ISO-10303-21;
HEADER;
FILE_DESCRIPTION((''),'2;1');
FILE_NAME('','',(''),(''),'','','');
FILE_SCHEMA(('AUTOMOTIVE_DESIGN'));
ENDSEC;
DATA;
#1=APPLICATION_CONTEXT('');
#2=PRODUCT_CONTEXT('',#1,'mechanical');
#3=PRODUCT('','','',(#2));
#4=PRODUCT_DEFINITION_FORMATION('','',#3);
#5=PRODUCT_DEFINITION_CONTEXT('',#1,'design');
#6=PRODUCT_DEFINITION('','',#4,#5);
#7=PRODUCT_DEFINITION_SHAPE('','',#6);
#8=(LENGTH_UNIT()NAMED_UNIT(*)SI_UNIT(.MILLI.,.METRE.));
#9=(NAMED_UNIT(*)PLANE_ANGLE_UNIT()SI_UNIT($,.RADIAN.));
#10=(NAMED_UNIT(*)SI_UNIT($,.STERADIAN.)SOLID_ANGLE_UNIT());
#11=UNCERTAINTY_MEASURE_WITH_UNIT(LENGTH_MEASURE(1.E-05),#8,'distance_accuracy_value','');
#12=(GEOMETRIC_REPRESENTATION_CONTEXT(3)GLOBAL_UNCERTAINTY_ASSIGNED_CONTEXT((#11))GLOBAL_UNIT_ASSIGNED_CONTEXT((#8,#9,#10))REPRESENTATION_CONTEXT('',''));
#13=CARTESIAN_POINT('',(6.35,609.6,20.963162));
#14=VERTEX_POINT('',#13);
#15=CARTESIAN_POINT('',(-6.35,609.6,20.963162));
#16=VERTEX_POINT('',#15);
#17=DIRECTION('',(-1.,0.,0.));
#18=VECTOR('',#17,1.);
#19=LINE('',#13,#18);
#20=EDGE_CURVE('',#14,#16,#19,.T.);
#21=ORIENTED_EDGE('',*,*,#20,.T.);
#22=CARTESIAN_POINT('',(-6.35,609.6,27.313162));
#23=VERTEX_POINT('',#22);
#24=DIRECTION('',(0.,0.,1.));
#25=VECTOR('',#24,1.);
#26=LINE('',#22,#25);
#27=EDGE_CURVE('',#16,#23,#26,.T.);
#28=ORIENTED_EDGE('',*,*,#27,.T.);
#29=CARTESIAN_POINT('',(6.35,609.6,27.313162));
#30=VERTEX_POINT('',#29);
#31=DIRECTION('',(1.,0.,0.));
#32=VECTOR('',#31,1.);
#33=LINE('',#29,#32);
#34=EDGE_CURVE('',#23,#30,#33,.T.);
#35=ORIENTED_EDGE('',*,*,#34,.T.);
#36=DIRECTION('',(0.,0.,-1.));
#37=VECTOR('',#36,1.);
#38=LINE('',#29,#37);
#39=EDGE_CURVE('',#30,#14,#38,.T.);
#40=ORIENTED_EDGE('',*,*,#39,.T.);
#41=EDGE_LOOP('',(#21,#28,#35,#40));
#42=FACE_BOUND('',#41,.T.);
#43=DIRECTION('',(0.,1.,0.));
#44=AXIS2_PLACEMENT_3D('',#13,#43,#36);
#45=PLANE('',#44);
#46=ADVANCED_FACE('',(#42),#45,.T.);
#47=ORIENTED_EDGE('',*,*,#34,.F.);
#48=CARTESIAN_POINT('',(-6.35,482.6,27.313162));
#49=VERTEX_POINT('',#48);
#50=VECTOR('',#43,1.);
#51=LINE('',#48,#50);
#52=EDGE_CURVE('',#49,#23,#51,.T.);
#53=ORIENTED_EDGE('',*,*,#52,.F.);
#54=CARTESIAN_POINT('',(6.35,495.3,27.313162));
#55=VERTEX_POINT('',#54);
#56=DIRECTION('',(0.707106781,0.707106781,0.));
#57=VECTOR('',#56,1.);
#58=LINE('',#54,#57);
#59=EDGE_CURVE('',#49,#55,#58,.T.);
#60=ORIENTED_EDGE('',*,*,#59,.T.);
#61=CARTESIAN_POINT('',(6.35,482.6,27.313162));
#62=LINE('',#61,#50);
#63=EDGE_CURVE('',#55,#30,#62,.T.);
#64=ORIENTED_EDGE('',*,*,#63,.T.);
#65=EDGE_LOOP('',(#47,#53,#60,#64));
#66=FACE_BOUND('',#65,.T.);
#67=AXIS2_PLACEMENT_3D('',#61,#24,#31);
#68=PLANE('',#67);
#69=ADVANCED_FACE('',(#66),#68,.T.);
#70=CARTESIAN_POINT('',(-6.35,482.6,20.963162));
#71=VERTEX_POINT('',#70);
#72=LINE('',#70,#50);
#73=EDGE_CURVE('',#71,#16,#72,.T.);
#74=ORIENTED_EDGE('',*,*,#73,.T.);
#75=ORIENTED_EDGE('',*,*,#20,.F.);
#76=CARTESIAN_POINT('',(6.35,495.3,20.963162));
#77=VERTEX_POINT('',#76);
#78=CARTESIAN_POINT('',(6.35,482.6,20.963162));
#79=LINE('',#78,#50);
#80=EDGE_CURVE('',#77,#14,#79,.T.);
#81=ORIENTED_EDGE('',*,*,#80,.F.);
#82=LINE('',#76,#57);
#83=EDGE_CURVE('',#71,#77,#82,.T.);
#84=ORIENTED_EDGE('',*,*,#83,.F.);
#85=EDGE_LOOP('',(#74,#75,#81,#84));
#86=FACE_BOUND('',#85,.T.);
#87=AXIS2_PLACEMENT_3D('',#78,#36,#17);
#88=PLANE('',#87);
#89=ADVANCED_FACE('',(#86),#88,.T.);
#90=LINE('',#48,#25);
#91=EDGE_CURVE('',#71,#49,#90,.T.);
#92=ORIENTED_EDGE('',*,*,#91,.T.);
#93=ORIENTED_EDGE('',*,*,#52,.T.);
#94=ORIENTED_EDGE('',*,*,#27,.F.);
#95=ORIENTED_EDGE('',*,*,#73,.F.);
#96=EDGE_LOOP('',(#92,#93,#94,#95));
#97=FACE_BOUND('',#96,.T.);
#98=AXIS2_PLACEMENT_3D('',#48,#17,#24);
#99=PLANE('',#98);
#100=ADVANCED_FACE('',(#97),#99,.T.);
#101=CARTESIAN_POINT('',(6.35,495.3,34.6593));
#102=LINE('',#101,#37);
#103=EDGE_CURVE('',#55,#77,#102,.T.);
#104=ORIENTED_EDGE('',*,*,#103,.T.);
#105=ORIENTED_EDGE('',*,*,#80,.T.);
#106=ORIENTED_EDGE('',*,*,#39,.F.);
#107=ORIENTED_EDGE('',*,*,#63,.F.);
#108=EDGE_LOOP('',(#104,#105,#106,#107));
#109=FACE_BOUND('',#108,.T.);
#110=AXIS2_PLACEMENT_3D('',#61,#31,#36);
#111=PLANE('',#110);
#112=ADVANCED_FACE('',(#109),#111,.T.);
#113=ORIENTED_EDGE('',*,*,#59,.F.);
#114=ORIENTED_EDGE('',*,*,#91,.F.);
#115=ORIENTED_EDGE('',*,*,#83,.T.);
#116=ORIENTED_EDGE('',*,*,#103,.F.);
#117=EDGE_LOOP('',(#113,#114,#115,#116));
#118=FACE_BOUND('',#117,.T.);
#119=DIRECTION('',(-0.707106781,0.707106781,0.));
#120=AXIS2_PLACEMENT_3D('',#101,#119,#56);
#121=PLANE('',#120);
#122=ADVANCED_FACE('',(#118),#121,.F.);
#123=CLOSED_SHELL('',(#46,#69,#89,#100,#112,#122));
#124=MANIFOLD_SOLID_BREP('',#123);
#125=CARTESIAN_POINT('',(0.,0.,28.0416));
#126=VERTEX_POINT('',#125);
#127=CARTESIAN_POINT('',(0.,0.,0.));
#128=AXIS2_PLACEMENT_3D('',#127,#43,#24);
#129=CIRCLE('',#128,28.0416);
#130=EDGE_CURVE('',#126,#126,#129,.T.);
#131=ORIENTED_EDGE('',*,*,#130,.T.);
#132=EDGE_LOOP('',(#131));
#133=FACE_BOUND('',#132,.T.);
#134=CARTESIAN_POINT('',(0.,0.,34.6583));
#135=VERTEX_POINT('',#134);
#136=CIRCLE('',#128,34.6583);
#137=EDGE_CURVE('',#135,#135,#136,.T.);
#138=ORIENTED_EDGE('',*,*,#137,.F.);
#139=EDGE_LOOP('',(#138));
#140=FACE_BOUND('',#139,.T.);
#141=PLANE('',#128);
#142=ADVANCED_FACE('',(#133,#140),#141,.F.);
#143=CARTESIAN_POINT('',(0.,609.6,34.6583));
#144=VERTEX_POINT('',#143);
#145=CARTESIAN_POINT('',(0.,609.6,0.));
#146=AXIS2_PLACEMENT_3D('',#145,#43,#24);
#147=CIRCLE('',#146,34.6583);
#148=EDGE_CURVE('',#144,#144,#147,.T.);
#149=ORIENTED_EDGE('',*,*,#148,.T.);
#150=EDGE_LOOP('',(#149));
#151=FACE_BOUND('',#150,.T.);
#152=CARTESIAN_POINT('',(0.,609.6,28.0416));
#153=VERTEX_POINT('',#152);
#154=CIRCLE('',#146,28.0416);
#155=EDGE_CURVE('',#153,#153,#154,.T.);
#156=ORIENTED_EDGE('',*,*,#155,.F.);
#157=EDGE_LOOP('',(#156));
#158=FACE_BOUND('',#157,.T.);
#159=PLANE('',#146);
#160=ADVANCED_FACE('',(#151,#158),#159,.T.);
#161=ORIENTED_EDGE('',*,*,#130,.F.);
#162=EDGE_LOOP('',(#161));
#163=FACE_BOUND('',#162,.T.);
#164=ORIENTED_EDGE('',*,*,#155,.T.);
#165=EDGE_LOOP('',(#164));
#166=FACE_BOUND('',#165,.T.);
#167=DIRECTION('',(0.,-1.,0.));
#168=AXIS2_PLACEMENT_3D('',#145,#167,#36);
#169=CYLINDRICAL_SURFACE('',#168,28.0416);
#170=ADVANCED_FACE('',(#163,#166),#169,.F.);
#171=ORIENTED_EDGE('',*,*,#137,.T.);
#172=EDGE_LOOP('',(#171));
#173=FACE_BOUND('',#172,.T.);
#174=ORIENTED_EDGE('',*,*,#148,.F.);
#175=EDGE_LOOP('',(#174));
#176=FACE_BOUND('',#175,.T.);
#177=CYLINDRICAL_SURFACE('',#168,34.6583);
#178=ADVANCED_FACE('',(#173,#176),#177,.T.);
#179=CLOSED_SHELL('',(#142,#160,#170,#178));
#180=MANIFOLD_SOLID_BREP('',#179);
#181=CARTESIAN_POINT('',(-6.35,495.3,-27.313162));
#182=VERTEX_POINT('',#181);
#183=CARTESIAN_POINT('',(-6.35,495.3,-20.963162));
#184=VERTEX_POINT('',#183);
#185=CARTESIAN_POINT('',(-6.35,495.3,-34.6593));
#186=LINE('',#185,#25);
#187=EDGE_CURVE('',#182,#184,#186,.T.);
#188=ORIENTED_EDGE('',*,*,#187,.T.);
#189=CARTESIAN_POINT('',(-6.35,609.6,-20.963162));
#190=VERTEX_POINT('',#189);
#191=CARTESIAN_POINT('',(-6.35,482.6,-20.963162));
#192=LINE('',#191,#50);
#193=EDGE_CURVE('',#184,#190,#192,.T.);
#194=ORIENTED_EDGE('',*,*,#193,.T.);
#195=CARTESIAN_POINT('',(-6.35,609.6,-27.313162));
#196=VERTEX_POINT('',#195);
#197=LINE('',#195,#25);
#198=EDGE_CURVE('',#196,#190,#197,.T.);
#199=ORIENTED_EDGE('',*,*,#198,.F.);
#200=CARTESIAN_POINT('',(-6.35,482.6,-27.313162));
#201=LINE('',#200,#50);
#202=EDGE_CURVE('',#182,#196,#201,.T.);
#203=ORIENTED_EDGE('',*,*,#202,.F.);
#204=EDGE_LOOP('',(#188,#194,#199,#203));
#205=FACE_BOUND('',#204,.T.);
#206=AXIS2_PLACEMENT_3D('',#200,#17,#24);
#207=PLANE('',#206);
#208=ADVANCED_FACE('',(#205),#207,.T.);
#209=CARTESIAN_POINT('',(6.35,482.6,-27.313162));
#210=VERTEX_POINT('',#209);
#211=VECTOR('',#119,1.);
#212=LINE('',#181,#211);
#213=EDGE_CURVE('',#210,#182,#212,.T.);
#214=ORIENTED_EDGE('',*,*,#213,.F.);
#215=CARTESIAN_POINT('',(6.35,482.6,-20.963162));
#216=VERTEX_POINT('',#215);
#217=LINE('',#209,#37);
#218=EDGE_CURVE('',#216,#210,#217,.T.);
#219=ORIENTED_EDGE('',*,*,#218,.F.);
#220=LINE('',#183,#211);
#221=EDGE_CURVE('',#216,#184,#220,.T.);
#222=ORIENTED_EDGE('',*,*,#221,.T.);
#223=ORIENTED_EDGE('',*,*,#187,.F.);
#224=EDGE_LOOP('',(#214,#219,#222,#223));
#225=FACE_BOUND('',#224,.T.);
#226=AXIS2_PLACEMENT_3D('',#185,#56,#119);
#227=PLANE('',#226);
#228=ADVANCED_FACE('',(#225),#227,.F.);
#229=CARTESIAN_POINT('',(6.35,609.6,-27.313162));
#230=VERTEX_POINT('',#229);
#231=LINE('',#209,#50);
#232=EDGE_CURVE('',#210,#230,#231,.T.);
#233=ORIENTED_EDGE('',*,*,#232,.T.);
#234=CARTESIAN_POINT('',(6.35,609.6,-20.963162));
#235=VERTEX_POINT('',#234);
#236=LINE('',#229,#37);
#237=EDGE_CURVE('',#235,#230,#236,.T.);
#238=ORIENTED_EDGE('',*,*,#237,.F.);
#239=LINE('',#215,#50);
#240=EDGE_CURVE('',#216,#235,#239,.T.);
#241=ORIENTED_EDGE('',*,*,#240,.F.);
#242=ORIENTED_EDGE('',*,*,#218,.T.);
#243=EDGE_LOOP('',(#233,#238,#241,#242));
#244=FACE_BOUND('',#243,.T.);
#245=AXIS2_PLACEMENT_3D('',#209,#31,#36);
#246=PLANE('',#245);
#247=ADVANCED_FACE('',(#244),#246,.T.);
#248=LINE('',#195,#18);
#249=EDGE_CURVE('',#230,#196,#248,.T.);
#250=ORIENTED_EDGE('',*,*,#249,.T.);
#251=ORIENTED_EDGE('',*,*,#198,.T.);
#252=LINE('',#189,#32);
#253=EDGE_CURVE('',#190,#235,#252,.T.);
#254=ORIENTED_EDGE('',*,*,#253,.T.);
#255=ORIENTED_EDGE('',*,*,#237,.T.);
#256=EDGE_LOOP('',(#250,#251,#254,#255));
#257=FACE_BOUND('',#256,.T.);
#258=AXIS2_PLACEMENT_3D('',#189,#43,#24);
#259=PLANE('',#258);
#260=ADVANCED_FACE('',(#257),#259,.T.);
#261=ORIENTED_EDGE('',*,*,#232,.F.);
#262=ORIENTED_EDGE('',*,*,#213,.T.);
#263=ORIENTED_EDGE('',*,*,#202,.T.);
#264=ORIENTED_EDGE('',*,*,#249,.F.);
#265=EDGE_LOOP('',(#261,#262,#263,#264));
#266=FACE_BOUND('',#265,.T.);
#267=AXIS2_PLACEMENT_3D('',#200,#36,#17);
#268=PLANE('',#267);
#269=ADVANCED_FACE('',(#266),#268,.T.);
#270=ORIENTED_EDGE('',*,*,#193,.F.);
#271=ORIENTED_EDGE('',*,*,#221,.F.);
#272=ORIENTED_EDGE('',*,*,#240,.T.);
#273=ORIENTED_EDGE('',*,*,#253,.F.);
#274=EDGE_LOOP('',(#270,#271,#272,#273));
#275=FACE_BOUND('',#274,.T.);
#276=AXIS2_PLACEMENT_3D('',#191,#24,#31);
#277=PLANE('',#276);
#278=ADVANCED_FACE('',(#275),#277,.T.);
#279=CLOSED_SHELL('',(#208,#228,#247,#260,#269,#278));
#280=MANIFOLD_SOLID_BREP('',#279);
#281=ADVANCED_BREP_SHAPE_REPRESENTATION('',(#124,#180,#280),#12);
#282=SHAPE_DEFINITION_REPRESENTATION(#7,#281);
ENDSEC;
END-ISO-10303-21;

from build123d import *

# Parameters (mm, degrees)
SKETCH1_R           = 34.6583
SKETCH1_R_2         = 28.0416
BOSS_EXTRUDE1_DEPTH = 609.6
SKETCH3_W           = 12.7
SKETCH3_H           = 6.35
BOSS_EXTRUDE3_DEPTH = 127
CUT_EXTRUDE2_DEPTH  = 6.35
CIRPATTERN8_COUNT   = 2


with BuildPart() as part:
    # Sketch1 → Boss-Extrude1 (new body)
    with BuildSketch(Plane(origin=(0, 0, 0), x_dir=(1, 0, 0), z_dir=(0, 1, 0))):
        Circle(SKETCH1_R)
        Circle(SKETCH1_R_2, mode=Mode.SUBTRACT)
    extrude(amount=BOSS_EXTRUDE1_DEPTH)


with BuildPart() as body_2:
    # Sketch3 → Boss-Extrude3 (new body)
    with BuildSketch(Plane(origin=(0, 609.6, 0), x_dir=(1, 0, 0), z_dir=(0, 1, 0))):
        with Locations((0, 24.138162222)):
            Rectangle(SKETCH3_W, SKETCH3_H)
    extrude(amount=-BOSS_EXTRUDE3_DEPTH)

    # Sketch4 → Cut-Extrude2 (cut)
    with BuildSketch(Plane.XY.offset(-20.963162222)):
        Polygon((6.35, 482.6), (-6.35, 482.6), (-6.35, 495.3), align=None)
    extrude(amount=-CUT_EXTRUDE2_DEPTH, mode=Mode.SUBTRACT)


with BuildPart() as cirpattern8_1:
    # CirPattern8: pattern copy
    add(body_2.part.rotate(Axis((0, 0, 0), (0, 1, 0)), 1 * 360 / CIRPATTERN8_COUNT))


solid = Compound([part.part, body_2.part, cirpattern8_1.part])
